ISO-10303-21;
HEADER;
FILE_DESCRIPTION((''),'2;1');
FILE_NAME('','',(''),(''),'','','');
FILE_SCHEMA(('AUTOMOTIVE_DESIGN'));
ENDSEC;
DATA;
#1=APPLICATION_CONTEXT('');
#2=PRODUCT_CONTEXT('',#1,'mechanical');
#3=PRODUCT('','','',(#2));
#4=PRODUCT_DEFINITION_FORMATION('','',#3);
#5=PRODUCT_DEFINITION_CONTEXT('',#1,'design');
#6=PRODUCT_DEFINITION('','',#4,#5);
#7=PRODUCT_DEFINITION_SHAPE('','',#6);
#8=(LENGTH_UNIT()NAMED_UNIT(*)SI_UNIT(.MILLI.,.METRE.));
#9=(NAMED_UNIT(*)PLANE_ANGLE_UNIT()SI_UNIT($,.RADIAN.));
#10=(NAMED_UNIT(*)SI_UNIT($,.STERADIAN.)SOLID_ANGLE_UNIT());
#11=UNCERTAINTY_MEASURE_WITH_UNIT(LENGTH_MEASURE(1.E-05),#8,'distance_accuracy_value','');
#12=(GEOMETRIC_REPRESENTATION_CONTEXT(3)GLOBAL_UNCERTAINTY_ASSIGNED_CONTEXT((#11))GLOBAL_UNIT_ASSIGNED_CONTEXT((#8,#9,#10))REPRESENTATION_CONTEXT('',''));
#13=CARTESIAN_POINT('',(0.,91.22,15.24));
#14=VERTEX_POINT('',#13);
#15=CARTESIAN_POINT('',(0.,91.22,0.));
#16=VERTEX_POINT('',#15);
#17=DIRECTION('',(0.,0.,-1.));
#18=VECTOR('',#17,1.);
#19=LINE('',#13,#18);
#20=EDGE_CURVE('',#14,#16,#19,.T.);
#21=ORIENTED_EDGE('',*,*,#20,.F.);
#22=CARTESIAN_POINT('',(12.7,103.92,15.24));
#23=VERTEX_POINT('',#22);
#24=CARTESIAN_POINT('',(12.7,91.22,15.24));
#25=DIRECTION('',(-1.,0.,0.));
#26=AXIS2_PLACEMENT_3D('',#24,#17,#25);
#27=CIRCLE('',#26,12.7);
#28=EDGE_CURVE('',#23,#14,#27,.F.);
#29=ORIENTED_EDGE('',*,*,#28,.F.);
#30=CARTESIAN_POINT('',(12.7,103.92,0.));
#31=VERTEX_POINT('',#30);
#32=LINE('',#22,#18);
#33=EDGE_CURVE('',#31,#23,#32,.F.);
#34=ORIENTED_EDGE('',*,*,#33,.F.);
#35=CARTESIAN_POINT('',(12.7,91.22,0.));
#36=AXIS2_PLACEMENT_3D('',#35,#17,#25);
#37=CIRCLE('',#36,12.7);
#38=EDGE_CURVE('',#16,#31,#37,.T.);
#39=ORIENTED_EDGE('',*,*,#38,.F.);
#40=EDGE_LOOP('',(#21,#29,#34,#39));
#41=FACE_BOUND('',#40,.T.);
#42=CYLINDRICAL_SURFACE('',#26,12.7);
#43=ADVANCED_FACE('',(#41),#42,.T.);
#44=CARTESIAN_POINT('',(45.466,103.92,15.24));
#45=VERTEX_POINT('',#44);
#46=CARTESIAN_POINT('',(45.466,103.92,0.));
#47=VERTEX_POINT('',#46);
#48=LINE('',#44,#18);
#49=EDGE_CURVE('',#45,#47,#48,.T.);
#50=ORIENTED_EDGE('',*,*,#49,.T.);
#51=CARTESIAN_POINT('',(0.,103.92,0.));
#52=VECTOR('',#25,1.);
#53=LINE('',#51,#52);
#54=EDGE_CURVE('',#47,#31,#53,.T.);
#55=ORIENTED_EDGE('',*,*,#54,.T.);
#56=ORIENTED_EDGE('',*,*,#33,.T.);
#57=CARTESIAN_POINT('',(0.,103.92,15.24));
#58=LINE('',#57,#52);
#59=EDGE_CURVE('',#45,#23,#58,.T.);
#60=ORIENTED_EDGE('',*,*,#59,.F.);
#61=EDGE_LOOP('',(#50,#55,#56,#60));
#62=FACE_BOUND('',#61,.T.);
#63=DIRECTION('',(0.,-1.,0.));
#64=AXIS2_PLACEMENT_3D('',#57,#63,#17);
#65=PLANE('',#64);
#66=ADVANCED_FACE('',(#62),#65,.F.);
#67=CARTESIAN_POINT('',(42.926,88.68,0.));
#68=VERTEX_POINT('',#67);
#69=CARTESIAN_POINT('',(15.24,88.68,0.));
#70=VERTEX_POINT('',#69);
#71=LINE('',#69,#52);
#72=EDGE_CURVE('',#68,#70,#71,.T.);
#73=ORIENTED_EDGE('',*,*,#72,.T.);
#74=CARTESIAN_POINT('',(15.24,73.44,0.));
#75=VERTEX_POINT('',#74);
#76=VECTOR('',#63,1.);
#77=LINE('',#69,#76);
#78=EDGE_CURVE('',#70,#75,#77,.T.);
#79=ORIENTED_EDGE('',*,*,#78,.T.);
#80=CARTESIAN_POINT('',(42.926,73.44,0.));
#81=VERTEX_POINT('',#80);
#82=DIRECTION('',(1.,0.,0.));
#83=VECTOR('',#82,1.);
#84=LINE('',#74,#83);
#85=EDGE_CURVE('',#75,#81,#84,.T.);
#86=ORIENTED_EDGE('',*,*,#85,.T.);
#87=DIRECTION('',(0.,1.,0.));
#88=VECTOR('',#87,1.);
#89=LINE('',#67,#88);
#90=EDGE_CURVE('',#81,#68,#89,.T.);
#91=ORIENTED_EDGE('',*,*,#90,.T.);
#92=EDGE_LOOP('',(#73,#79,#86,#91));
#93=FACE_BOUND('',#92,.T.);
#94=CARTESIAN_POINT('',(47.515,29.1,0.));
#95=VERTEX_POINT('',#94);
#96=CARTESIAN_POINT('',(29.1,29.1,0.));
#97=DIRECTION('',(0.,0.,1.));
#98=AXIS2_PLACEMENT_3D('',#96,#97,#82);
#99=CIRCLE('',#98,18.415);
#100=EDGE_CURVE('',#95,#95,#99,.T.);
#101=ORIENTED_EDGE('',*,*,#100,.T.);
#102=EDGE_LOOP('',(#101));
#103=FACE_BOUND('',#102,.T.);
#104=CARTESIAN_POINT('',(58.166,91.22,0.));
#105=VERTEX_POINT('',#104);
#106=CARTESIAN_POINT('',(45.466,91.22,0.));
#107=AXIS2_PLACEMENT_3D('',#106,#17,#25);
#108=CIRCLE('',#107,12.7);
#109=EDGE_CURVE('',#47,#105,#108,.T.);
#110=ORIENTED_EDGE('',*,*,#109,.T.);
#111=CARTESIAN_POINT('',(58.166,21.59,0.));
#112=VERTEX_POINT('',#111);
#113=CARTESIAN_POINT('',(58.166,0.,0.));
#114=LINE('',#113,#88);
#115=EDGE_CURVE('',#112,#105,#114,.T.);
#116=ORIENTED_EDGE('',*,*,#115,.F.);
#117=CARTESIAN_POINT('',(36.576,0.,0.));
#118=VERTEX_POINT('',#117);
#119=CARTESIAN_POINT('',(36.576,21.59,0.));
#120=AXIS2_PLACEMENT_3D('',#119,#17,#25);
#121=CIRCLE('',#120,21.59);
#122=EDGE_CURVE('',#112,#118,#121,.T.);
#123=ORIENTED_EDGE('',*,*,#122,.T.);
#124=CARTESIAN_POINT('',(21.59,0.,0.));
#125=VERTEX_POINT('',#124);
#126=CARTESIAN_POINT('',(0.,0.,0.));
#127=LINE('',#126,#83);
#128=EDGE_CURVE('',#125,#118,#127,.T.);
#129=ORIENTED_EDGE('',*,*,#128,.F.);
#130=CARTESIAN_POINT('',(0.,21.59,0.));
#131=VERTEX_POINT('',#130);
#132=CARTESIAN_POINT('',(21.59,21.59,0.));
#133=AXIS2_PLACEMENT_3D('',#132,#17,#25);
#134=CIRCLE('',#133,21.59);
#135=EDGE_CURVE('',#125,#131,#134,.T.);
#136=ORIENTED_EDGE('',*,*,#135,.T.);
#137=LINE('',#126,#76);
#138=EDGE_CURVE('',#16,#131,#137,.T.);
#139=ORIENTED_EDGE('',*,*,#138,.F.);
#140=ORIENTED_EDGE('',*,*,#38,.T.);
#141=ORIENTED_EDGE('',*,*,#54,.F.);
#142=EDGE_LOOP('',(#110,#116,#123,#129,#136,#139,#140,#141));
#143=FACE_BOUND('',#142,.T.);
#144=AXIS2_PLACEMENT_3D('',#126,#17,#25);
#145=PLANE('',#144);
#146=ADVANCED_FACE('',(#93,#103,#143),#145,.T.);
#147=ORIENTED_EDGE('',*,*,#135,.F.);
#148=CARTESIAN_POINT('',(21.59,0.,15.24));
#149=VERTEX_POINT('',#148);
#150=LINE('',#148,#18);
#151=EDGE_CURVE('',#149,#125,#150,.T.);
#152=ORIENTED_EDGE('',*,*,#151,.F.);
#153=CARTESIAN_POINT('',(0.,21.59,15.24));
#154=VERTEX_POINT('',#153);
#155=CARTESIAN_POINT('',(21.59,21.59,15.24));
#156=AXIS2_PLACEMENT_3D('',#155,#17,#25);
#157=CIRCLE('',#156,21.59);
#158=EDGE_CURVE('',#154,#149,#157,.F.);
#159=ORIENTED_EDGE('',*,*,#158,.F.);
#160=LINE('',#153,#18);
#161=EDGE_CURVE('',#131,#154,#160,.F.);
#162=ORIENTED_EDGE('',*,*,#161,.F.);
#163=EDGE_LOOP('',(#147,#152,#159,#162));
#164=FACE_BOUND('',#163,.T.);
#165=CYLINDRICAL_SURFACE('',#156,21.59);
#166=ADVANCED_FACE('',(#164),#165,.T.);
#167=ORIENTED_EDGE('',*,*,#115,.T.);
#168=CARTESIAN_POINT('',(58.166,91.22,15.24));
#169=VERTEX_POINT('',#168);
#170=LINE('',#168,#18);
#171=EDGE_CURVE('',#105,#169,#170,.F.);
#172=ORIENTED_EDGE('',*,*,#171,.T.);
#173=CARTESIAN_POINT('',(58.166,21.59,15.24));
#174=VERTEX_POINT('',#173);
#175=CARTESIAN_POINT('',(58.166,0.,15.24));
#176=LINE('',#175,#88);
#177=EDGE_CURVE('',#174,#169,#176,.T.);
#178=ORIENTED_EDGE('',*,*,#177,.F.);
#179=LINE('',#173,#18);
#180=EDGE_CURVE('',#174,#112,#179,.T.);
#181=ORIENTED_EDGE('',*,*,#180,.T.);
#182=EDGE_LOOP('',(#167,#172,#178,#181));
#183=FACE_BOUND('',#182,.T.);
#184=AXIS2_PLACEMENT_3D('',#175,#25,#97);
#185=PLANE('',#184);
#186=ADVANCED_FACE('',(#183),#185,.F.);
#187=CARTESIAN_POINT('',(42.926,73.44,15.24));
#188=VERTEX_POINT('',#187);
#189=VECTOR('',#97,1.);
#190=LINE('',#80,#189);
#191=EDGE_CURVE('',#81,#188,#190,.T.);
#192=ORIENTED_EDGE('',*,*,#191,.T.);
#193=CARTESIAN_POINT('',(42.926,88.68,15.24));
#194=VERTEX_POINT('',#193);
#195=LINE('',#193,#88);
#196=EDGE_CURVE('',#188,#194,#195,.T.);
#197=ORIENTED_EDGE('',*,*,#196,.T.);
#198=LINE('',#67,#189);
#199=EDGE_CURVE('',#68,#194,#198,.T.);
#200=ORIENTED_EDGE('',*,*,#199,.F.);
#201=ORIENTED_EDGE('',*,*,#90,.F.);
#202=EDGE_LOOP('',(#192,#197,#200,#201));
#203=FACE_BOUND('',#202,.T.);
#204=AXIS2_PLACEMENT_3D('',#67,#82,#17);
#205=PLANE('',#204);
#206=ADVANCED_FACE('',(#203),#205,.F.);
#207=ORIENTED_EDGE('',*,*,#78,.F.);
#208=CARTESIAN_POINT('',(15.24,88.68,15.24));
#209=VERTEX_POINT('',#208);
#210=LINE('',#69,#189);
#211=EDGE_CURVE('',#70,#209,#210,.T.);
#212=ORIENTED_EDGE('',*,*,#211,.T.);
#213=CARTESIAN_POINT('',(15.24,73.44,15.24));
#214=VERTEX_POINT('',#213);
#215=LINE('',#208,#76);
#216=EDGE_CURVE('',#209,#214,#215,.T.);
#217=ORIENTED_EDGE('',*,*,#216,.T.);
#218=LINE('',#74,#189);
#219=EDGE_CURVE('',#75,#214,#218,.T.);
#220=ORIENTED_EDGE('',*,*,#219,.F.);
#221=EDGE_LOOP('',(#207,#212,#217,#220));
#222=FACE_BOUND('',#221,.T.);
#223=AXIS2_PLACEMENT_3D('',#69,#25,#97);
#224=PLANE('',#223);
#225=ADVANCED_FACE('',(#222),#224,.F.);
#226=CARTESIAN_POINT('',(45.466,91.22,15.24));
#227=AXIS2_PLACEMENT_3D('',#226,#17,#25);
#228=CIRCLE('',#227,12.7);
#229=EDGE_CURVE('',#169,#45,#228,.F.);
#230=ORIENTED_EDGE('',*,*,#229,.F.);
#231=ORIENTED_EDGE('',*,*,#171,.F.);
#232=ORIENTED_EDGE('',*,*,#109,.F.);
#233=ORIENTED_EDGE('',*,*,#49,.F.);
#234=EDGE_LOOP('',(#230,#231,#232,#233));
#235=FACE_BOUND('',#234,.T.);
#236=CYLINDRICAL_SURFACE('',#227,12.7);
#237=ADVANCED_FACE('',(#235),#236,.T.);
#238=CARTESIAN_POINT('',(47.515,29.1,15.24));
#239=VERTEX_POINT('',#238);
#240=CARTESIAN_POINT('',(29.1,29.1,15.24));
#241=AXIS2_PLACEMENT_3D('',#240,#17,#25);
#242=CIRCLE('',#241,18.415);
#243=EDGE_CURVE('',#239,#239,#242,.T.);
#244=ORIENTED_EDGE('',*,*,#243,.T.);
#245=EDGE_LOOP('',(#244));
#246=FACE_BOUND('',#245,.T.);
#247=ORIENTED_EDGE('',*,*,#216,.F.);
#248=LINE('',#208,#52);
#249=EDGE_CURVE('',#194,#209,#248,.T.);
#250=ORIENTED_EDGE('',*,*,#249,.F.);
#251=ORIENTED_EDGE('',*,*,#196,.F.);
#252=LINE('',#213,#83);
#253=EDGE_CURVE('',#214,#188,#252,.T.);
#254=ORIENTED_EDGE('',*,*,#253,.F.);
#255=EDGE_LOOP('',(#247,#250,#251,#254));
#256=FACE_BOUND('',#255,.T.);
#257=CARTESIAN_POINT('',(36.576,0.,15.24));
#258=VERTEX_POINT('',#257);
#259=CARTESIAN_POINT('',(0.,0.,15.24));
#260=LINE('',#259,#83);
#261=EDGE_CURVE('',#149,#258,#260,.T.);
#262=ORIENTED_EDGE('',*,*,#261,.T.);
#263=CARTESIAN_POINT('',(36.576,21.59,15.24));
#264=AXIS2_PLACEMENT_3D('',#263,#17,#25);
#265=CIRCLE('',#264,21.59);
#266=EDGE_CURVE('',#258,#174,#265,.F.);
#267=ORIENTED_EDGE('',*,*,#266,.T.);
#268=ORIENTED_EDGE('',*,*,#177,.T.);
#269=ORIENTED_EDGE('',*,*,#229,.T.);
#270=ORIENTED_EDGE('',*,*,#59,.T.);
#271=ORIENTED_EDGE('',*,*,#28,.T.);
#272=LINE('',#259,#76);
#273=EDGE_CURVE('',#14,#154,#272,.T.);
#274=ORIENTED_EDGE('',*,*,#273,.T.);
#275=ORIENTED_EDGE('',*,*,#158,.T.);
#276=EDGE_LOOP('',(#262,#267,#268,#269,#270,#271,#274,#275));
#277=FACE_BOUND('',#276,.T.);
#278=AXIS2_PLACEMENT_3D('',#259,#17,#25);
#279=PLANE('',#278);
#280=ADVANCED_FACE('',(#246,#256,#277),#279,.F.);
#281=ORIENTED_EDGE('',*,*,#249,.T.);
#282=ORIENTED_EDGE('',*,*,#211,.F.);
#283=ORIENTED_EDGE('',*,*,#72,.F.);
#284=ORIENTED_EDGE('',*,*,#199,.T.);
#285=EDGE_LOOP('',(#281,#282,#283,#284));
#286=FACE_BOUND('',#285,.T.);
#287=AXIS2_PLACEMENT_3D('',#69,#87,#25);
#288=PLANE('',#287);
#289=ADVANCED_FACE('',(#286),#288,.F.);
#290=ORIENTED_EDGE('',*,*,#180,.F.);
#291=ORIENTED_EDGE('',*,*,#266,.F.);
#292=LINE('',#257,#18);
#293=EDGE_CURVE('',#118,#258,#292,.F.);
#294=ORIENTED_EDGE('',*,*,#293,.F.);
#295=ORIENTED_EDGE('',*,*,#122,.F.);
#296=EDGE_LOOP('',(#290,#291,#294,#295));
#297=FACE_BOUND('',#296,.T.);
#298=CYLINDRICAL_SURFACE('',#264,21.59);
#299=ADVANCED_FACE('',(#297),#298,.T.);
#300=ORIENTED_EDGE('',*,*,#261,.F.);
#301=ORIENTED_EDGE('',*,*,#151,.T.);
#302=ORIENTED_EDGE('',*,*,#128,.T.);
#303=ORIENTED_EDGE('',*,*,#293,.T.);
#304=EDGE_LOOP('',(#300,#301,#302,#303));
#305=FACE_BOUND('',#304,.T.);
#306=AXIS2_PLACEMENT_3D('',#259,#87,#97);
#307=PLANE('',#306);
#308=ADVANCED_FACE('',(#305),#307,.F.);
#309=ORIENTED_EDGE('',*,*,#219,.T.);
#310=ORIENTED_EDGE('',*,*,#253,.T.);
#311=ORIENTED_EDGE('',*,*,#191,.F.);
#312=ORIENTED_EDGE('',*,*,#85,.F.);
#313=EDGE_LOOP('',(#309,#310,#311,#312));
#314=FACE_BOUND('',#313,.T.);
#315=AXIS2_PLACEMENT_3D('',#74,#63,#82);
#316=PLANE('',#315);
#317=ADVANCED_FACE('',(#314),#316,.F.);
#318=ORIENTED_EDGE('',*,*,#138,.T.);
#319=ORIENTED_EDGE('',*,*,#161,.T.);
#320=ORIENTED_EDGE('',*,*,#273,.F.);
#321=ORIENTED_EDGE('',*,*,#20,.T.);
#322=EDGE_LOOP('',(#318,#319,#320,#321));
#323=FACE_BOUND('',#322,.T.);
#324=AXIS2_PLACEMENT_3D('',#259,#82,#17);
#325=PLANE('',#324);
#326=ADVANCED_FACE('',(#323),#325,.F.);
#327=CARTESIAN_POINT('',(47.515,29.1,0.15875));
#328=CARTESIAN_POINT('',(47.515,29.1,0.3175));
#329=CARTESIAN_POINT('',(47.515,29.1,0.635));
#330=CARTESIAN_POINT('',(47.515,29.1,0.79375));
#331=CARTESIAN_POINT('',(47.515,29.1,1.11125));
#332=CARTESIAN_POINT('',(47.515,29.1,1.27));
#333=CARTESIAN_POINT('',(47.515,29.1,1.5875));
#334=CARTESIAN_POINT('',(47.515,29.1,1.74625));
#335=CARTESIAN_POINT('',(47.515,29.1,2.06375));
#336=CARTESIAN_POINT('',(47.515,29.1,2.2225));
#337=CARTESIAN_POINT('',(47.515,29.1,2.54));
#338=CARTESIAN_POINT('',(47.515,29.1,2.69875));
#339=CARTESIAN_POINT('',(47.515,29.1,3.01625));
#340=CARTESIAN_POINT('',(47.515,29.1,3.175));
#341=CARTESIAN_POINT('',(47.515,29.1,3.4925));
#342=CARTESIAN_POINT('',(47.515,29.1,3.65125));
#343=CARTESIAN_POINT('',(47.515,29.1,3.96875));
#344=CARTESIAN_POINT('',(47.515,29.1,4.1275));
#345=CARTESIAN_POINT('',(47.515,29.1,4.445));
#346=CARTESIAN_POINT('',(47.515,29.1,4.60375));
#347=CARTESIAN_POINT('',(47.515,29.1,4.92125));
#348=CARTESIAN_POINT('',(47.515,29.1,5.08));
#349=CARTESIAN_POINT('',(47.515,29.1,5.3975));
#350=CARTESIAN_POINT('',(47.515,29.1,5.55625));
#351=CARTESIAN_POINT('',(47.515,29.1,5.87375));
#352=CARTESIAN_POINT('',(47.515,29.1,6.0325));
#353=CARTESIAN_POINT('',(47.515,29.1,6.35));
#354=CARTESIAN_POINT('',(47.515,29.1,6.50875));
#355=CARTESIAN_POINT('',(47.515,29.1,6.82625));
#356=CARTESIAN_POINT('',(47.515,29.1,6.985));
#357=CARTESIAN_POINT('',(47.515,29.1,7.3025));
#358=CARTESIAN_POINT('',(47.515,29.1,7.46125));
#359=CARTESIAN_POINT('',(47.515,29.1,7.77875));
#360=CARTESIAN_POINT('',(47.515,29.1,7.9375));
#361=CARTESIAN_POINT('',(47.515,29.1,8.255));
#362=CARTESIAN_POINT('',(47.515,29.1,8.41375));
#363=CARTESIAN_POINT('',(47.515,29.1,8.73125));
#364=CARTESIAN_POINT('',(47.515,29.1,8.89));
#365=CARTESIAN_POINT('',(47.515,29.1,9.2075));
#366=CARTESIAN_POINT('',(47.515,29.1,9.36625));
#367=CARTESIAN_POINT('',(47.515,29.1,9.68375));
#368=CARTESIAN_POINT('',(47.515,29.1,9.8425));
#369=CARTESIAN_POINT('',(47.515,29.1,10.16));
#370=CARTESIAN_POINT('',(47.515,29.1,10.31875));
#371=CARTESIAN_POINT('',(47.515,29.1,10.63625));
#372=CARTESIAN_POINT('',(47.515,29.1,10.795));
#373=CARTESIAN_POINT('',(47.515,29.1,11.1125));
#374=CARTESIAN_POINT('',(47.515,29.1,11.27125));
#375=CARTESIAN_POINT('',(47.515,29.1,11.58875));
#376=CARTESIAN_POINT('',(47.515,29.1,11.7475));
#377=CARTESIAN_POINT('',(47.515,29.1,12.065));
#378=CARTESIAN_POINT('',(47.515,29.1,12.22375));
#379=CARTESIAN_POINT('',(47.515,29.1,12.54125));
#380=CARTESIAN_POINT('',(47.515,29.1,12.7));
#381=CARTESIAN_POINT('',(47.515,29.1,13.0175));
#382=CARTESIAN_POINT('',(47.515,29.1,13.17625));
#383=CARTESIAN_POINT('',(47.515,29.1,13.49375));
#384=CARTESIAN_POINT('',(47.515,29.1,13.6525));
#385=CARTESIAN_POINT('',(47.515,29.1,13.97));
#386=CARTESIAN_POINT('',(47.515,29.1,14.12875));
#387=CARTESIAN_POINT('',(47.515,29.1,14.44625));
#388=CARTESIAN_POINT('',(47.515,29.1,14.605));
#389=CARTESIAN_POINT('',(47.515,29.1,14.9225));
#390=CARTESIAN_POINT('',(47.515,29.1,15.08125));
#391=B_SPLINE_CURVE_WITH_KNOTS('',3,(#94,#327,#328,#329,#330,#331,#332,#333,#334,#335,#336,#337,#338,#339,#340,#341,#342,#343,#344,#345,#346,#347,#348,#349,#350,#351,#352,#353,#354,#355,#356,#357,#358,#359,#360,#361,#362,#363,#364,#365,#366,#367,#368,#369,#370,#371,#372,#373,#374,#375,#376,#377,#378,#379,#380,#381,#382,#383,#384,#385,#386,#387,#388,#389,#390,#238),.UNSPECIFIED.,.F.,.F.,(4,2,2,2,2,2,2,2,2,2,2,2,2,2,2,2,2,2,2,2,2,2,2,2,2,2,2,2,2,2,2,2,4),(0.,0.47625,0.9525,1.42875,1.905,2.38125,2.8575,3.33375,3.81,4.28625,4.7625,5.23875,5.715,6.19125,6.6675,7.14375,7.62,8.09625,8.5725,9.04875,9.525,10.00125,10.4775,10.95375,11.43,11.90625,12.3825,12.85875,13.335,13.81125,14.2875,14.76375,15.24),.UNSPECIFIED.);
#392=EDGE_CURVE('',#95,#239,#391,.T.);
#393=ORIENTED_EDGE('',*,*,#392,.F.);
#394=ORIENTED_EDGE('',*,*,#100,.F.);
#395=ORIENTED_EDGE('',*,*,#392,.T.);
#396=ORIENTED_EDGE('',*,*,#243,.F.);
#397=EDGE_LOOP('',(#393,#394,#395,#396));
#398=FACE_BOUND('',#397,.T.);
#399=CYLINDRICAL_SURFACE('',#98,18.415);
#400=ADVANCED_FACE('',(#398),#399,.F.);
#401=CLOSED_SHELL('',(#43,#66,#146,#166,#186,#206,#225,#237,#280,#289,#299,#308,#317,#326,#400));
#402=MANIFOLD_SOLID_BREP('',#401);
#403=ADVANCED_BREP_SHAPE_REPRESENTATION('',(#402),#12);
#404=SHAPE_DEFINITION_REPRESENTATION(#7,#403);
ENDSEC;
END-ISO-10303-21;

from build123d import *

# Parameters (mm, degrees)
SKETCH1_W               = 58.166
SKETCH1_H               = 103.919999932
BOSS_EXTRUDE1_DEPTH     = 15.24
SKETCH2_W               = 27.686
SKETCH2_H               = 15.24
CUT_EXTRUDE1_DEPTH      = 121.06209869
CUT_EXTRUDE2_DEPTH      = 121.06209869
CUT_EXTRUDE2_DEPTH_BACK = 121.06209869
SKETCH7_R               = 18.415
FILLET2_R               = 21.59
FILLET3_R               = 12.7


with BuildPart() as part:
    # Sketch1 → Boss-Extrude1 (new body)
    with BuildSketch(Plane.XY):
        with Locations((29.083, 51.959999966)):
            Rectangle(SKETCH1_W, SKETCH1_H)
    extrude(amount=BOSS_EXTRUDE1_DEPTH)

    # Sketch2 → Cut-Extrude1 (cut, through all)
    with BuildSketch(Plane.XY.offset(15.24)):
        with Locations((29.083, 81.059999932)):
            Rectangle(SKETCH2_W, SKETCH2_H)
    extrude(amount=-CUT_EXTRUDE1_DEPTH, mode=Mode.SUBTRACT)

    # Sketch7 → Cut-Extrude2 (cut, two sides: drawn at the far end of the back side and taken through both)
    with BuildSketch(Plane.XY.offset(15.24).offset(-CUT_EXTRUDE2_DEPTH_BACK)):
        with Locations((29.099999966, 29.1)):
            Circle(SKETCH7_R)
    extrude(amount=CUT_EXTRUDE2_DEPTH + CUT_EXTRUDE2_DEPTH_BACK, mode=Mode.SUBTRACT)

    # Fillet2
    fillet2_edges = [part.edges().sort_by_distance(p)[0] for p in [
        (58.166, 0, 7.62),
        (0, 0, 7.62),
    ]]
    fillet(fillet2_edges, radius=FILLET2_R)

    # Fillet3
    fillet3_edges = [part.edges().sort_by_distance(p)[0] for p in [
        (0, 103.919999932, 7.62),
        (58.166, 103.919999932, 7.62),
    ]]
    fillet(fillet3_edges, radius=FILLET3_R)


solid = part.part
